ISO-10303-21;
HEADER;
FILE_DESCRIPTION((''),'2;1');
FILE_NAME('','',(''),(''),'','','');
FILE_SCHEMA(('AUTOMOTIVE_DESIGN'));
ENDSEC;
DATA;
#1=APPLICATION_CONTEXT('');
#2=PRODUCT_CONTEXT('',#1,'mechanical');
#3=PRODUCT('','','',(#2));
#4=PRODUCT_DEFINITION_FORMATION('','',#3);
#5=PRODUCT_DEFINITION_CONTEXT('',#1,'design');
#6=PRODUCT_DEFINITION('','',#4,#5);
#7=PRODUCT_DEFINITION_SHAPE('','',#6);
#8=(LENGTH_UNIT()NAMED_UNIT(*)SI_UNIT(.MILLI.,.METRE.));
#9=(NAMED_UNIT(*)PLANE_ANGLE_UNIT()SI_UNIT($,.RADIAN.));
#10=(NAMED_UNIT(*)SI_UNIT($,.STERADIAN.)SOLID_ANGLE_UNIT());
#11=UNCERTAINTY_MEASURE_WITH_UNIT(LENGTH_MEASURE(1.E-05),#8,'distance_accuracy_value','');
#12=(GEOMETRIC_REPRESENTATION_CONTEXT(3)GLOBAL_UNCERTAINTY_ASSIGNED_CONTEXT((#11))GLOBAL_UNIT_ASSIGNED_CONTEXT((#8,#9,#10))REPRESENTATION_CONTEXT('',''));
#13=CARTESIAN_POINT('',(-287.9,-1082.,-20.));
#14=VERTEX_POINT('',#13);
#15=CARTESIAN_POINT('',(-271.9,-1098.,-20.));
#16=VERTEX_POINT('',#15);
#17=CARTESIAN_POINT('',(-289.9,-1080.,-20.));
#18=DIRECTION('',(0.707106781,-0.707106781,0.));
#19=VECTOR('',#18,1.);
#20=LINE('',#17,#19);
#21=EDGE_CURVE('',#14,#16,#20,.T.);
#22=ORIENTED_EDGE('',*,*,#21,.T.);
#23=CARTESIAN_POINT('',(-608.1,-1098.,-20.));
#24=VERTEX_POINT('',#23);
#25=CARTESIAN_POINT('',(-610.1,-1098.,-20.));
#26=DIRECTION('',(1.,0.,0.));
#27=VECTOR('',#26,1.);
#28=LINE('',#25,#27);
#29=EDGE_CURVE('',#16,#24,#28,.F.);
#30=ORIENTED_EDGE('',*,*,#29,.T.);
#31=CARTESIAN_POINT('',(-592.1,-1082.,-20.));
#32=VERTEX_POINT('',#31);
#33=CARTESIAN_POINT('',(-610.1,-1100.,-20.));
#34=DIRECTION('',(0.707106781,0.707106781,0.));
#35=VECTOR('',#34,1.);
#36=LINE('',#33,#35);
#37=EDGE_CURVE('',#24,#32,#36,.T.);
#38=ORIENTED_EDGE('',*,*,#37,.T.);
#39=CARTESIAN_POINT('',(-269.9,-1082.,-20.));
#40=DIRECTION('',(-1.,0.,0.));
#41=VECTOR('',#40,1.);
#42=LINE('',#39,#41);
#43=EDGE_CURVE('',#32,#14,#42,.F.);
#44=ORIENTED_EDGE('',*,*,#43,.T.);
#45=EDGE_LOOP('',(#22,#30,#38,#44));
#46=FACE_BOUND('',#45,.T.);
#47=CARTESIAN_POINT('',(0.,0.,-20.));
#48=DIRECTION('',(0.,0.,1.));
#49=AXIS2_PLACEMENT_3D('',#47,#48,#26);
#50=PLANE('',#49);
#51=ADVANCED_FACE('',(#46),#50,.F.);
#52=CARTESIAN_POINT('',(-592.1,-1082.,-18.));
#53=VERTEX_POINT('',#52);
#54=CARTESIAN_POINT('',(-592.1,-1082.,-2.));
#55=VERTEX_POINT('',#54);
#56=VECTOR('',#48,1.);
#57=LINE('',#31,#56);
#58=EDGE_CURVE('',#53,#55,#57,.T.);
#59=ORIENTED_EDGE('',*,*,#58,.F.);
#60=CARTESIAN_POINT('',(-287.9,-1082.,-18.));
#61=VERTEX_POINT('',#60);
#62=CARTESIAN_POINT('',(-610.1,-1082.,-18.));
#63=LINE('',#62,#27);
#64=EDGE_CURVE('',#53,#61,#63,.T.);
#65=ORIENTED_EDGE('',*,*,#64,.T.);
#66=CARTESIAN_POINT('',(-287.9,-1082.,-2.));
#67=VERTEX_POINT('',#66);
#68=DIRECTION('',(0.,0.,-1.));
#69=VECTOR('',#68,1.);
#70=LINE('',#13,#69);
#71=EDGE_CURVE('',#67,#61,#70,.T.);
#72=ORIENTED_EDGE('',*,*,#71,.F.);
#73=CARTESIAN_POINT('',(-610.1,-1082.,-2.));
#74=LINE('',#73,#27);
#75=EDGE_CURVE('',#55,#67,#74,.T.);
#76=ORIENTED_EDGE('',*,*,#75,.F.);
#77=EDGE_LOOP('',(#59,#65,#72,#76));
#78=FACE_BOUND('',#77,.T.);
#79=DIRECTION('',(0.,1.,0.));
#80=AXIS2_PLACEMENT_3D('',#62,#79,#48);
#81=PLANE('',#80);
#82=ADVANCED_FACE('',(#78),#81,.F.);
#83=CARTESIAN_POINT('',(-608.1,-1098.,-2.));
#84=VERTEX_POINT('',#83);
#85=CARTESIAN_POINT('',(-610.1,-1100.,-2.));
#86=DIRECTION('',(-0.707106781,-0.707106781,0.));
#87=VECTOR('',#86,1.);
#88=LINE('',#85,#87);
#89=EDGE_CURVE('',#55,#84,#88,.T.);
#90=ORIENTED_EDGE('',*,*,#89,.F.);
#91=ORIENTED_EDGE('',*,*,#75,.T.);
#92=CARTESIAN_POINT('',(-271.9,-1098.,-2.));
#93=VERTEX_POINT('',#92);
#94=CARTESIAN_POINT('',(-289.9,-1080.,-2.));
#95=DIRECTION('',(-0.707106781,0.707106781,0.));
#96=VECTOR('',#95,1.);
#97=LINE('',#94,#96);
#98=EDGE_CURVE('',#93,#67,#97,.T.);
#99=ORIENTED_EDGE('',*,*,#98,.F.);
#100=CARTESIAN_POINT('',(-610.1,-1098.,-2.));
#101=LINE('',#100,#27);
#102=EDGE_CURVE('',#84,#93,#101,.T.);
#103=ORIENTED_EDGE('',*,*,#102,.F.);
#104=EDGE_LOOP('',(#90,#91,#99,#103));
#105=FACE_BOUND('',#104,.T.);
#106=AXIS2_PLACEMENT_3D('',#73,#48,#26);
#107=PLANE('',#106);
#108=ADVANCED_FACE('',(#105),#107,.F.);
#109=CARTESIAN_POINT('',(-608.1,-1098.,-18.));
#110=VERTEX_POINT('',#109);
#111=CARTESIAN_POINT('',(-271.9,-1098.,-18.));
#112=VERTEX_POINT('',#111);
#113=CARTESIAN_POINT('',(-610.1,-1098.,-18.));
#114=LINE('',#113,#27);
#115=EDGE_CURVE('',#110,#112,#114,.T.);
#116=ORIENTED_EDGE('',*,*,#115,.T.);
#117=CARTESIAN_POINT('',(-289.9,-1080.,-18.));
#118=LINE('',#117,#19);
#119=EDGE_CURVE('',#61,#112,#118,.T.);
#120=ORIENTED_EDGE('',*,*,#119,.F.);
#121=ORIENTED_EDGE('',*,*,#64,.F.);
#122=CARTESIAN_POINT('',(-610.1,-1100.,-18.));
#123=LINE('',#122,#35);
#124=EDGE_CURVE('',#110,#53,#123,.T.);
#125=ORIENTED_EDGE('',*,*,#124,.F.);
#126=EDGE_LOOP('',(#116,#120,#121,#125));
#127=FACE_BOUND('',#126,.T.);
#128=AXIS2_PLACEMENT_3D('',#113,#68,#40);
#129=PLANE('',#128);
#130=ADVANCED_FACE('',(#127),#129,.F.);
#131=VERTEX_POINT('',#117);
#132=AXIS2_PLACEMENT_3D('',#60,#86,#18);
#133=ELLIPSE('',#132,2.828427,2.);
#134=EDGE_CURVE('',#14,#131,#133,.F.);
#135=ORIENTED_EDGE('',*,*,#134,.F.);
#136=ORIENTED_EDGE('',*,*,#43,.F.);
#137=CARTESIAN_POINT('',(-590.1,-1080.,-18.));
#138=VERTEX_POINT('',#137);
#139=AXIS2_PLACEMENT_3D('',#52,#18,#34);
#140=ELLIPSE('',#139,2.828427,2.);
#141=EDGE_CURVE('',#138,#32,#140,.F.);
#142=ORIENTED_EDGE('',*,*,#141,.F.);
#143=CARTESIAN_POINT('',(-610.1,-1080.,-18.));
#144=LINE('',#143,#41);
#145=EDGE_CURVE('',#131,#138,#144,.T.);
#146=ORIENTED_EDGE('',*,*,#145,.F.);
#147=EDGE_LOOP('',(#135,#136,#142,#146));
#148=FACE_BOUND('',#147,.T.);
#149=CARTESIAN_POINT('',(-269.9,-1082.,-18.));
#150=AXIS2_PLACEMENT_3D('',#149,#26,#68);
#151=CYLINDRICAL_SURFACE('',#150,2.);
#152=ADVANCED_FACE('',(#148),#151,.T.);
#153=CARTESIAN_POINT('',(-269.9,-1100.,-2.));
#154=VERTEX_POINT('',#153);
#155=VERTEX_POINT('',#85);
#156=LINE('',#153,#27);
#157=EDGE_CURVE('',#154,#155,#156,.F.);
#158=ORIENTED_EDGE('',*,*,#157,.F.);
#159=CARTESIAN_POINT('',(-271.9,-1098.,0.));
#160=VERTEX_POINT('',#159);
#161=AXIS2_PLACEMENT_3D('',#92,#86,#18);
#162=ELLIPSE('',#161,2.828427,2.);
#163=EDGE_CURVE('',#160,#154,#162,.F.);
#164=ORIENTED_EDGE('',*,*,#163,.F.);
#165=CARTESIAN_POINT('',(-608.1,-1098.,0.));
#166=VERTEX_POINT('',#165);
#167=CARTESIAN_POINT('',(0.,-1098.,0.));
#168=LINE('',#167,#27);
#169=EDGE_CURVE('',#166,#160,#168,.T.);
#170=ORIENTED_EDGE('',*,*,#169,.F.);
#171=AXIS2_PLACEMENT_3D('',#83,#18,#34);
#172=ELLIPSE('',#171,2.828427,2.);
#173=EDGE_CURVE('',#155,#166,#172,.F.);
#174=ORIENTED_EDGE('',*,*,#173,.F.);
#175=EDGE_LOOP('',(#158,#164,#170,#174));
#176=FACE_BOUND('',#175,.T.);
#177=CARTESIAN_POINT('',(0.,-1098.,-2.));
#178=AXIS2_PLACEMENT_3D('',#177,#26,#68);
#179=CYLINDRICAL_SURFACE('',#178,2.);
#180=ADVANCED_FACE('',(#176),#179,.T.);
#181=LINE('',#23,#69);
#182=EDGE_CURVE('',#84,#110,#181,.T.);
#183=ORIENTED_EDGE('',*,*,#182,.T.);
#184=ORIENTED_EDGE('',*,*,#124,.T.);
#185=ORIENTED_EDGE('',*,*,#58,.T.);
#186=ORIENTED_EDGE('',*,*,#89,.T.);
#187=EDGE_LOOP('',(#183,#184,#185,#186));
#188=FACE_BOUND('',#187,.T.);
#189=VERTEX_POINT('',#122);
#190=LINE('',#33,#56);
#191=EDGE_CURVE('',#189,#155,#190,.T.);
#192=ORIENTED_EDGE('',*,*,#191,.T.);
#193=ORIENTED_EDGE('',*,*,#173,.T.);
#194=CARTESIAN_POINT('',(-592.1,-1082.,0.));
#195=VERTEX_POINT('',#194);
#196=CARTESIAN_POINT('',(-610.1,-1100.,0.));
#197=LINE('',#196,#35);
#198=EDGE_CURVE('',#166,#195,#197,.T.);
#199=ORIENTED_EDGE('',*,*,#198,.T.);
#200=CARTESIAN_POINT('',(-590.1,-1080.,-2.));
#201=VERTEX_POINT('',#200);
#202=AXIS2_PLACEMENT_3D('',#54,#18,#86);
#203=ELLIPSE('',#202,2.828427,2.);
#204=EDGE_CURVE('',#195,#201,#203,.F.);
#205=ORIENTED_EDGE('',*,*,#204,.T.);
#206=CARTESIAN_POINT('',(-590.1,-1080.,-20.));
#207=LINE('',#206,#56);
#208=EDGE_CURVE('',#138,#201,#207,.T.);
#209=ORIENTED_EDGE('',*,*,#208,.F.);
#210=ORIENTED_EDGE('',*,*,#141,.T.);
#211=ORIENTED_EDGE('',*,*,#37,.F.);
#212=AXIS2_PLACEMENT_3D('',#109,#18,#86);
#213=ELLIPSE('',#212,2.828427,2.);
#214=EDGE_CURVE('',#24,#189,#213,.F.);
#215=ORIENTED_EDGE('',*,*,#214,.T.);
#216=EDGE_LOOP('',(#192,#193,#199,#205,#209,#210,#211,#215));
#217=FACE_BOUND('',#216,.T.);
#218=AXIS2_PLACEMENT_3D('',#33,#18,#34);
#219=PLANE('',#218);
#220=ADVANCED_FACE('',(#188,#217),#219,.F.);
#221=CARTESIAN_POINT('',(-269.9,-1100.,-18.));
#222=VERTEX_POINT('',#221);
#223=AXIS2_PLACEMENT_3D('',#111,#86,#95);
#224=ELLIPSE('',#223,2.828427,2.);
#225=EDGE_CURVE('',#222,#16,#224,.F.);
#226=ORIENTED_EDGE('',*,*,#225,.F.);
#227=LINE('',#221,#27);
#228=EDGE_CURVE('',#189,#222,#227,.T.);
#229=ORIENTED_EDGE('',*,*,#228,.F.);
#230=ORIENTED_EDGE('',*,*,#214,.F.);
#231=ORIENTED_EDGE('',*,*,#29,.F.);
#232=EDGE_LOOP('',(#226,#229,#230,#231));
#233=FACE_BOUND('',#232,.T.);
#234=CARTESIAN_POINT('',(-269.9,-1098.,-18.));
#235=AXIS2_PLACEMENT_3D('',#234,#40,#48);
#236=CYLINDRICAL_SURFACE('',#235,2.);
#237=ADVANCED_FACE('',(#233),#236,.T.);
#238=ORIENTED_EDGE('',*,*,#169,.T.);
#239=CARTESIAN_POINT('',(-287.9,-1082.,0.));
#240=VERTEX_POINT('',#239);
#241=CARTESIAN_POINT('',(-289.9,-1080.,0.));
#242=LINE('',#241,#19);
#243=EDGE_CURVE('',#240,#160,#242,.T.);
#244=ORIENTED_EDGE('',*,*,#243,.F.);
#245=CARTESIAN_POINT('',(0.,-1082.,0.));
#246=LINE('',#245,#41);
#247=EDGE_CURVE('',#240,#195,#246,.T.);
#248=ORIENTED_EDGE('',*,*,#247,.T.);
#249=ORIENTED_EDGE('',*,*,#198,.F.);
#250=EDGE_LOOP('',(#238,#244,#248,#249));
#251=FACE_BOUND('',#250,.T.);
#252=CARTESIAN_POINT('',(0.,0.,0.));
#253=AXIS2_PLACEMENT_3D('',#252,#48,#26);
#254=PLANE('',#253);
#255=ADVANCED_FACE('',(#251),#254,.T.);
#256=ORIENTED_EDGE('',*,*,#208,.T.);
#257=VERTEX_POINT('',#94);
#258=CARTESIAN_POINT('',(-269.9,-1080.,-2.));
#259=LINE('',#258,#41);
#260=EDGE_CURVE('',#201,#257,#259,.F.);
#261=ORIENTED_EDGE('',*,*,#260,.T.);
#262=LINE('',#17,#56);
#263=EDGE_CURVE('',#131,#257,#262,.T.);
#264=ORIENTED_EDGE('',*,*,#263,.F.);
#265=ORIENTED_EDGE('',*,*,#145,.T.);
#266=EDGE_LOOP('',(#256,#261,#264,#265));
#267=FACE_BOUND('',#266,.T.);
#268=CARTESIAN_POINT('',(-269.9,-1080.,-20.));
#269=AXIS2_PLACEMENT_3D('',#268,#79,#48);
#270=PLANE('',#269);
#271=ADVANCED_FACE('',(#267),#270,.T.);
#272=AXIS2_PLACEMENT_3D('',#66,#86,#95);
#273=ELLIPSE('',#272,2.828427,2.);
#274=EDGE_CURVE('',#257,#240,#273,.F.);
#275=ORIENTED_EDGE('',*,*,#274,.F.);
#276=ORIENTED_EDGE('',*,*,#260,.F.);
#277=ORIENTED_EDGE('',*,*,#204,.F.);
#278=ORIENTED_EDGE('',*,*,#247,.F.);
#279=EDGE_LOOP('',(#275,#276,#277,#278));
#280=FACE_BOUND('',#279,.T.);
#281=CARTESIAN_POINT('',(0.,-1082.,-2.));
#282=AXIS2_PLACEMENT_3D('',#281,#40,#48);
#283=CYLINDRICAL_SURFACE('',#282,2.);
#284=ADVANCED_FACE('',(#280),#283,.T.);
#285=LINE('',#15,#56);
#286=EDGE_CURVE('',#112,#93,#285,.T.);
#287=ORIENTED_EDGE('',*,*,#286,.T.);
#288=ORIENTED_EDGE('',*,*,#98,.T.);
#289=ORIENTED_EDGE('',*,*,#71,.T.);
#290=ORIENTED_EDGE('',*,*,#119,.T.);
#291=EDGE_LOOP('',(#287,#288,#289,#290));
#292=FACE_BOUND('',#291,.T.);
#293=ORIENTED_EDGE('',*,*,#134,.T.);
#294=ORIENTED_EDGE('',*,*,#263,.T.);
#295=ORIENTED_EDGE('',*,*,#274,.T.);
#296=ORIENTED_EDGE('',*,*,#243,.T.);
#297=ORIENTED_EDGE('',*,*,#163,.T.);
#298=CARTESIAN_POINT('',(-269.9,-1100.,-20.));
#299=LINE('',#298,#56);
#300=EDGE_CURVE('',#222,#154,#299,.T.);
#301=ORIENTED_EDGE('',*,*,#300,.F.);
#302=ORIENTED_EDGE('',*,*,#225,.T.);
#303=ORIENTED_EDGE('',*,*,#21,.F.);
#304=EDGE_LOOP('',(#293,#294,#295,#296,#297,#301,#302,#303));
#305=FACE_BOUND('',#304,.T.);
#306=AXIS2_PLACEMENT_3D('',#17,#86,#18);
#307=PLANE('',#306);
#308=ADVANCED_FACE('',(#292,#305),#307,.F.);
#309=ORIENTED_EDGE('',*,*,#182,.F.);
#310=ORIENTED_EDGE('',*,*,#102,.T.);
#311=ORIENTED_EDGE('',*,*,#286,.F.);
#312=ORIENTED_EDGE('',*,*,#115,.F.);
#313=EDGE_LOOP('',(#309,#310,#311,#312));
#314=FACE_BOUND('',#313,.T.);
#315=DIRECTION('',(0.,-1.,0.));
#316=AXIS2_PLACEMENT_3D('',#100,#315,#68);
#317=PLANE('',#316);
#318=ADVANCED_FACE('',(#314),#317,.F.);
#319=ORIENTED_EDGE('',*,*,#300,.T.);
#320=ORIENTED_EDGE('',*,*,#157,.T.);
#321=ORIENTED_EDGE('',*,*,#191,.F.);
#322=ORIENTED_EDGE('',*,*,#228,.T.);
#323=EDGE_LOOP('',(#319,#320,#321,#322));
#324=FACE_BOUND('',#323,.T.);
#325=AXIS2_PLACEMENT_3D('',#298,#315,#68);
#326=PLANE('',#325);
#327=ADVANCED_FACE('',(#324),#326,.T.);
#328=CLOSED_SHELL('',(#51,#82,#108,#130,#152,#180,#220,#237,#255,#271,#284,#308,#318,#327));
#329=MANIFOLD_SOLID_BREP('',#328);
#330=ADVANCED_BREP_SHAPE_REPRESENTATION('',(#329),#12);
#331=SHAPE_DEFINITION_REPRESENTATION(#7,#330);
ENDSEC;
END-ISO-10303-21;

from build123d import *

# Parameters (mm, degrees)
SKETCH1_W           = 340.2
SKETCH1_H           = 20
BOSS_EXTRUDE1_DEPTH = 20
FILLET1_R           = 2
CUT_EXTRUDE1_DEPTH  = 21
SKETCH3_W           = 16
SKETCH3_H           = 16
CUT_EXTRUDE2_DEPTH  = 611.1


with BuildPart() as part:
    # Sketch1 → Boss-Extrude1 (new body)
    with BuildSketch(Plane.XY):
        with Locations((-440, -1090)):
            Rectangle(SKETCH1_W, SKETCH1_H)
    extrude(amount=-BOSS_EXTRUDE1_DEPTH)

    # Fillet1
    fillet1_edges = [part.edges().sort_by_distance(p)[0] for p in [
        (-440, -1100, -20),
        (-440, -1100, 0),
        (-440, -1080, 0),
        (-440, -1080, -20),
    ]]
    fillet(fillet1_edges, radius=FILLET1_R)

    # Sketch2 → Cut-Extrude1 (cut, through all)
    with BuildSketch(Plane.XY):
        Polygon((-269.9, -1100), (-269.9, -1080), (-289.9, -1080), align=None)
        Polygon((-610.1, -1100), (-590.1, -1080), (-610.1, -1080), align=None)
    extrude(amount=-CUT_EXTRUDE1_DEPTH, mode=Mode.SUBTRACT)

    # Sketch3 → Cut-Extrude2 (cut, through all)
    with BuildSketch(Plane(origin=(0, 0, 0), x_dir=(0, 0, -1), z_dir=(1, 0, 0))):
        with Locations((10, -1090)):
            Rectangle(SKETCH3_W, SKETCH3_H)
    extrude(amount=-CUT_EXTRUDE2_DEPTH, mode=Mode.SUBTRACT)


solid = part.part
